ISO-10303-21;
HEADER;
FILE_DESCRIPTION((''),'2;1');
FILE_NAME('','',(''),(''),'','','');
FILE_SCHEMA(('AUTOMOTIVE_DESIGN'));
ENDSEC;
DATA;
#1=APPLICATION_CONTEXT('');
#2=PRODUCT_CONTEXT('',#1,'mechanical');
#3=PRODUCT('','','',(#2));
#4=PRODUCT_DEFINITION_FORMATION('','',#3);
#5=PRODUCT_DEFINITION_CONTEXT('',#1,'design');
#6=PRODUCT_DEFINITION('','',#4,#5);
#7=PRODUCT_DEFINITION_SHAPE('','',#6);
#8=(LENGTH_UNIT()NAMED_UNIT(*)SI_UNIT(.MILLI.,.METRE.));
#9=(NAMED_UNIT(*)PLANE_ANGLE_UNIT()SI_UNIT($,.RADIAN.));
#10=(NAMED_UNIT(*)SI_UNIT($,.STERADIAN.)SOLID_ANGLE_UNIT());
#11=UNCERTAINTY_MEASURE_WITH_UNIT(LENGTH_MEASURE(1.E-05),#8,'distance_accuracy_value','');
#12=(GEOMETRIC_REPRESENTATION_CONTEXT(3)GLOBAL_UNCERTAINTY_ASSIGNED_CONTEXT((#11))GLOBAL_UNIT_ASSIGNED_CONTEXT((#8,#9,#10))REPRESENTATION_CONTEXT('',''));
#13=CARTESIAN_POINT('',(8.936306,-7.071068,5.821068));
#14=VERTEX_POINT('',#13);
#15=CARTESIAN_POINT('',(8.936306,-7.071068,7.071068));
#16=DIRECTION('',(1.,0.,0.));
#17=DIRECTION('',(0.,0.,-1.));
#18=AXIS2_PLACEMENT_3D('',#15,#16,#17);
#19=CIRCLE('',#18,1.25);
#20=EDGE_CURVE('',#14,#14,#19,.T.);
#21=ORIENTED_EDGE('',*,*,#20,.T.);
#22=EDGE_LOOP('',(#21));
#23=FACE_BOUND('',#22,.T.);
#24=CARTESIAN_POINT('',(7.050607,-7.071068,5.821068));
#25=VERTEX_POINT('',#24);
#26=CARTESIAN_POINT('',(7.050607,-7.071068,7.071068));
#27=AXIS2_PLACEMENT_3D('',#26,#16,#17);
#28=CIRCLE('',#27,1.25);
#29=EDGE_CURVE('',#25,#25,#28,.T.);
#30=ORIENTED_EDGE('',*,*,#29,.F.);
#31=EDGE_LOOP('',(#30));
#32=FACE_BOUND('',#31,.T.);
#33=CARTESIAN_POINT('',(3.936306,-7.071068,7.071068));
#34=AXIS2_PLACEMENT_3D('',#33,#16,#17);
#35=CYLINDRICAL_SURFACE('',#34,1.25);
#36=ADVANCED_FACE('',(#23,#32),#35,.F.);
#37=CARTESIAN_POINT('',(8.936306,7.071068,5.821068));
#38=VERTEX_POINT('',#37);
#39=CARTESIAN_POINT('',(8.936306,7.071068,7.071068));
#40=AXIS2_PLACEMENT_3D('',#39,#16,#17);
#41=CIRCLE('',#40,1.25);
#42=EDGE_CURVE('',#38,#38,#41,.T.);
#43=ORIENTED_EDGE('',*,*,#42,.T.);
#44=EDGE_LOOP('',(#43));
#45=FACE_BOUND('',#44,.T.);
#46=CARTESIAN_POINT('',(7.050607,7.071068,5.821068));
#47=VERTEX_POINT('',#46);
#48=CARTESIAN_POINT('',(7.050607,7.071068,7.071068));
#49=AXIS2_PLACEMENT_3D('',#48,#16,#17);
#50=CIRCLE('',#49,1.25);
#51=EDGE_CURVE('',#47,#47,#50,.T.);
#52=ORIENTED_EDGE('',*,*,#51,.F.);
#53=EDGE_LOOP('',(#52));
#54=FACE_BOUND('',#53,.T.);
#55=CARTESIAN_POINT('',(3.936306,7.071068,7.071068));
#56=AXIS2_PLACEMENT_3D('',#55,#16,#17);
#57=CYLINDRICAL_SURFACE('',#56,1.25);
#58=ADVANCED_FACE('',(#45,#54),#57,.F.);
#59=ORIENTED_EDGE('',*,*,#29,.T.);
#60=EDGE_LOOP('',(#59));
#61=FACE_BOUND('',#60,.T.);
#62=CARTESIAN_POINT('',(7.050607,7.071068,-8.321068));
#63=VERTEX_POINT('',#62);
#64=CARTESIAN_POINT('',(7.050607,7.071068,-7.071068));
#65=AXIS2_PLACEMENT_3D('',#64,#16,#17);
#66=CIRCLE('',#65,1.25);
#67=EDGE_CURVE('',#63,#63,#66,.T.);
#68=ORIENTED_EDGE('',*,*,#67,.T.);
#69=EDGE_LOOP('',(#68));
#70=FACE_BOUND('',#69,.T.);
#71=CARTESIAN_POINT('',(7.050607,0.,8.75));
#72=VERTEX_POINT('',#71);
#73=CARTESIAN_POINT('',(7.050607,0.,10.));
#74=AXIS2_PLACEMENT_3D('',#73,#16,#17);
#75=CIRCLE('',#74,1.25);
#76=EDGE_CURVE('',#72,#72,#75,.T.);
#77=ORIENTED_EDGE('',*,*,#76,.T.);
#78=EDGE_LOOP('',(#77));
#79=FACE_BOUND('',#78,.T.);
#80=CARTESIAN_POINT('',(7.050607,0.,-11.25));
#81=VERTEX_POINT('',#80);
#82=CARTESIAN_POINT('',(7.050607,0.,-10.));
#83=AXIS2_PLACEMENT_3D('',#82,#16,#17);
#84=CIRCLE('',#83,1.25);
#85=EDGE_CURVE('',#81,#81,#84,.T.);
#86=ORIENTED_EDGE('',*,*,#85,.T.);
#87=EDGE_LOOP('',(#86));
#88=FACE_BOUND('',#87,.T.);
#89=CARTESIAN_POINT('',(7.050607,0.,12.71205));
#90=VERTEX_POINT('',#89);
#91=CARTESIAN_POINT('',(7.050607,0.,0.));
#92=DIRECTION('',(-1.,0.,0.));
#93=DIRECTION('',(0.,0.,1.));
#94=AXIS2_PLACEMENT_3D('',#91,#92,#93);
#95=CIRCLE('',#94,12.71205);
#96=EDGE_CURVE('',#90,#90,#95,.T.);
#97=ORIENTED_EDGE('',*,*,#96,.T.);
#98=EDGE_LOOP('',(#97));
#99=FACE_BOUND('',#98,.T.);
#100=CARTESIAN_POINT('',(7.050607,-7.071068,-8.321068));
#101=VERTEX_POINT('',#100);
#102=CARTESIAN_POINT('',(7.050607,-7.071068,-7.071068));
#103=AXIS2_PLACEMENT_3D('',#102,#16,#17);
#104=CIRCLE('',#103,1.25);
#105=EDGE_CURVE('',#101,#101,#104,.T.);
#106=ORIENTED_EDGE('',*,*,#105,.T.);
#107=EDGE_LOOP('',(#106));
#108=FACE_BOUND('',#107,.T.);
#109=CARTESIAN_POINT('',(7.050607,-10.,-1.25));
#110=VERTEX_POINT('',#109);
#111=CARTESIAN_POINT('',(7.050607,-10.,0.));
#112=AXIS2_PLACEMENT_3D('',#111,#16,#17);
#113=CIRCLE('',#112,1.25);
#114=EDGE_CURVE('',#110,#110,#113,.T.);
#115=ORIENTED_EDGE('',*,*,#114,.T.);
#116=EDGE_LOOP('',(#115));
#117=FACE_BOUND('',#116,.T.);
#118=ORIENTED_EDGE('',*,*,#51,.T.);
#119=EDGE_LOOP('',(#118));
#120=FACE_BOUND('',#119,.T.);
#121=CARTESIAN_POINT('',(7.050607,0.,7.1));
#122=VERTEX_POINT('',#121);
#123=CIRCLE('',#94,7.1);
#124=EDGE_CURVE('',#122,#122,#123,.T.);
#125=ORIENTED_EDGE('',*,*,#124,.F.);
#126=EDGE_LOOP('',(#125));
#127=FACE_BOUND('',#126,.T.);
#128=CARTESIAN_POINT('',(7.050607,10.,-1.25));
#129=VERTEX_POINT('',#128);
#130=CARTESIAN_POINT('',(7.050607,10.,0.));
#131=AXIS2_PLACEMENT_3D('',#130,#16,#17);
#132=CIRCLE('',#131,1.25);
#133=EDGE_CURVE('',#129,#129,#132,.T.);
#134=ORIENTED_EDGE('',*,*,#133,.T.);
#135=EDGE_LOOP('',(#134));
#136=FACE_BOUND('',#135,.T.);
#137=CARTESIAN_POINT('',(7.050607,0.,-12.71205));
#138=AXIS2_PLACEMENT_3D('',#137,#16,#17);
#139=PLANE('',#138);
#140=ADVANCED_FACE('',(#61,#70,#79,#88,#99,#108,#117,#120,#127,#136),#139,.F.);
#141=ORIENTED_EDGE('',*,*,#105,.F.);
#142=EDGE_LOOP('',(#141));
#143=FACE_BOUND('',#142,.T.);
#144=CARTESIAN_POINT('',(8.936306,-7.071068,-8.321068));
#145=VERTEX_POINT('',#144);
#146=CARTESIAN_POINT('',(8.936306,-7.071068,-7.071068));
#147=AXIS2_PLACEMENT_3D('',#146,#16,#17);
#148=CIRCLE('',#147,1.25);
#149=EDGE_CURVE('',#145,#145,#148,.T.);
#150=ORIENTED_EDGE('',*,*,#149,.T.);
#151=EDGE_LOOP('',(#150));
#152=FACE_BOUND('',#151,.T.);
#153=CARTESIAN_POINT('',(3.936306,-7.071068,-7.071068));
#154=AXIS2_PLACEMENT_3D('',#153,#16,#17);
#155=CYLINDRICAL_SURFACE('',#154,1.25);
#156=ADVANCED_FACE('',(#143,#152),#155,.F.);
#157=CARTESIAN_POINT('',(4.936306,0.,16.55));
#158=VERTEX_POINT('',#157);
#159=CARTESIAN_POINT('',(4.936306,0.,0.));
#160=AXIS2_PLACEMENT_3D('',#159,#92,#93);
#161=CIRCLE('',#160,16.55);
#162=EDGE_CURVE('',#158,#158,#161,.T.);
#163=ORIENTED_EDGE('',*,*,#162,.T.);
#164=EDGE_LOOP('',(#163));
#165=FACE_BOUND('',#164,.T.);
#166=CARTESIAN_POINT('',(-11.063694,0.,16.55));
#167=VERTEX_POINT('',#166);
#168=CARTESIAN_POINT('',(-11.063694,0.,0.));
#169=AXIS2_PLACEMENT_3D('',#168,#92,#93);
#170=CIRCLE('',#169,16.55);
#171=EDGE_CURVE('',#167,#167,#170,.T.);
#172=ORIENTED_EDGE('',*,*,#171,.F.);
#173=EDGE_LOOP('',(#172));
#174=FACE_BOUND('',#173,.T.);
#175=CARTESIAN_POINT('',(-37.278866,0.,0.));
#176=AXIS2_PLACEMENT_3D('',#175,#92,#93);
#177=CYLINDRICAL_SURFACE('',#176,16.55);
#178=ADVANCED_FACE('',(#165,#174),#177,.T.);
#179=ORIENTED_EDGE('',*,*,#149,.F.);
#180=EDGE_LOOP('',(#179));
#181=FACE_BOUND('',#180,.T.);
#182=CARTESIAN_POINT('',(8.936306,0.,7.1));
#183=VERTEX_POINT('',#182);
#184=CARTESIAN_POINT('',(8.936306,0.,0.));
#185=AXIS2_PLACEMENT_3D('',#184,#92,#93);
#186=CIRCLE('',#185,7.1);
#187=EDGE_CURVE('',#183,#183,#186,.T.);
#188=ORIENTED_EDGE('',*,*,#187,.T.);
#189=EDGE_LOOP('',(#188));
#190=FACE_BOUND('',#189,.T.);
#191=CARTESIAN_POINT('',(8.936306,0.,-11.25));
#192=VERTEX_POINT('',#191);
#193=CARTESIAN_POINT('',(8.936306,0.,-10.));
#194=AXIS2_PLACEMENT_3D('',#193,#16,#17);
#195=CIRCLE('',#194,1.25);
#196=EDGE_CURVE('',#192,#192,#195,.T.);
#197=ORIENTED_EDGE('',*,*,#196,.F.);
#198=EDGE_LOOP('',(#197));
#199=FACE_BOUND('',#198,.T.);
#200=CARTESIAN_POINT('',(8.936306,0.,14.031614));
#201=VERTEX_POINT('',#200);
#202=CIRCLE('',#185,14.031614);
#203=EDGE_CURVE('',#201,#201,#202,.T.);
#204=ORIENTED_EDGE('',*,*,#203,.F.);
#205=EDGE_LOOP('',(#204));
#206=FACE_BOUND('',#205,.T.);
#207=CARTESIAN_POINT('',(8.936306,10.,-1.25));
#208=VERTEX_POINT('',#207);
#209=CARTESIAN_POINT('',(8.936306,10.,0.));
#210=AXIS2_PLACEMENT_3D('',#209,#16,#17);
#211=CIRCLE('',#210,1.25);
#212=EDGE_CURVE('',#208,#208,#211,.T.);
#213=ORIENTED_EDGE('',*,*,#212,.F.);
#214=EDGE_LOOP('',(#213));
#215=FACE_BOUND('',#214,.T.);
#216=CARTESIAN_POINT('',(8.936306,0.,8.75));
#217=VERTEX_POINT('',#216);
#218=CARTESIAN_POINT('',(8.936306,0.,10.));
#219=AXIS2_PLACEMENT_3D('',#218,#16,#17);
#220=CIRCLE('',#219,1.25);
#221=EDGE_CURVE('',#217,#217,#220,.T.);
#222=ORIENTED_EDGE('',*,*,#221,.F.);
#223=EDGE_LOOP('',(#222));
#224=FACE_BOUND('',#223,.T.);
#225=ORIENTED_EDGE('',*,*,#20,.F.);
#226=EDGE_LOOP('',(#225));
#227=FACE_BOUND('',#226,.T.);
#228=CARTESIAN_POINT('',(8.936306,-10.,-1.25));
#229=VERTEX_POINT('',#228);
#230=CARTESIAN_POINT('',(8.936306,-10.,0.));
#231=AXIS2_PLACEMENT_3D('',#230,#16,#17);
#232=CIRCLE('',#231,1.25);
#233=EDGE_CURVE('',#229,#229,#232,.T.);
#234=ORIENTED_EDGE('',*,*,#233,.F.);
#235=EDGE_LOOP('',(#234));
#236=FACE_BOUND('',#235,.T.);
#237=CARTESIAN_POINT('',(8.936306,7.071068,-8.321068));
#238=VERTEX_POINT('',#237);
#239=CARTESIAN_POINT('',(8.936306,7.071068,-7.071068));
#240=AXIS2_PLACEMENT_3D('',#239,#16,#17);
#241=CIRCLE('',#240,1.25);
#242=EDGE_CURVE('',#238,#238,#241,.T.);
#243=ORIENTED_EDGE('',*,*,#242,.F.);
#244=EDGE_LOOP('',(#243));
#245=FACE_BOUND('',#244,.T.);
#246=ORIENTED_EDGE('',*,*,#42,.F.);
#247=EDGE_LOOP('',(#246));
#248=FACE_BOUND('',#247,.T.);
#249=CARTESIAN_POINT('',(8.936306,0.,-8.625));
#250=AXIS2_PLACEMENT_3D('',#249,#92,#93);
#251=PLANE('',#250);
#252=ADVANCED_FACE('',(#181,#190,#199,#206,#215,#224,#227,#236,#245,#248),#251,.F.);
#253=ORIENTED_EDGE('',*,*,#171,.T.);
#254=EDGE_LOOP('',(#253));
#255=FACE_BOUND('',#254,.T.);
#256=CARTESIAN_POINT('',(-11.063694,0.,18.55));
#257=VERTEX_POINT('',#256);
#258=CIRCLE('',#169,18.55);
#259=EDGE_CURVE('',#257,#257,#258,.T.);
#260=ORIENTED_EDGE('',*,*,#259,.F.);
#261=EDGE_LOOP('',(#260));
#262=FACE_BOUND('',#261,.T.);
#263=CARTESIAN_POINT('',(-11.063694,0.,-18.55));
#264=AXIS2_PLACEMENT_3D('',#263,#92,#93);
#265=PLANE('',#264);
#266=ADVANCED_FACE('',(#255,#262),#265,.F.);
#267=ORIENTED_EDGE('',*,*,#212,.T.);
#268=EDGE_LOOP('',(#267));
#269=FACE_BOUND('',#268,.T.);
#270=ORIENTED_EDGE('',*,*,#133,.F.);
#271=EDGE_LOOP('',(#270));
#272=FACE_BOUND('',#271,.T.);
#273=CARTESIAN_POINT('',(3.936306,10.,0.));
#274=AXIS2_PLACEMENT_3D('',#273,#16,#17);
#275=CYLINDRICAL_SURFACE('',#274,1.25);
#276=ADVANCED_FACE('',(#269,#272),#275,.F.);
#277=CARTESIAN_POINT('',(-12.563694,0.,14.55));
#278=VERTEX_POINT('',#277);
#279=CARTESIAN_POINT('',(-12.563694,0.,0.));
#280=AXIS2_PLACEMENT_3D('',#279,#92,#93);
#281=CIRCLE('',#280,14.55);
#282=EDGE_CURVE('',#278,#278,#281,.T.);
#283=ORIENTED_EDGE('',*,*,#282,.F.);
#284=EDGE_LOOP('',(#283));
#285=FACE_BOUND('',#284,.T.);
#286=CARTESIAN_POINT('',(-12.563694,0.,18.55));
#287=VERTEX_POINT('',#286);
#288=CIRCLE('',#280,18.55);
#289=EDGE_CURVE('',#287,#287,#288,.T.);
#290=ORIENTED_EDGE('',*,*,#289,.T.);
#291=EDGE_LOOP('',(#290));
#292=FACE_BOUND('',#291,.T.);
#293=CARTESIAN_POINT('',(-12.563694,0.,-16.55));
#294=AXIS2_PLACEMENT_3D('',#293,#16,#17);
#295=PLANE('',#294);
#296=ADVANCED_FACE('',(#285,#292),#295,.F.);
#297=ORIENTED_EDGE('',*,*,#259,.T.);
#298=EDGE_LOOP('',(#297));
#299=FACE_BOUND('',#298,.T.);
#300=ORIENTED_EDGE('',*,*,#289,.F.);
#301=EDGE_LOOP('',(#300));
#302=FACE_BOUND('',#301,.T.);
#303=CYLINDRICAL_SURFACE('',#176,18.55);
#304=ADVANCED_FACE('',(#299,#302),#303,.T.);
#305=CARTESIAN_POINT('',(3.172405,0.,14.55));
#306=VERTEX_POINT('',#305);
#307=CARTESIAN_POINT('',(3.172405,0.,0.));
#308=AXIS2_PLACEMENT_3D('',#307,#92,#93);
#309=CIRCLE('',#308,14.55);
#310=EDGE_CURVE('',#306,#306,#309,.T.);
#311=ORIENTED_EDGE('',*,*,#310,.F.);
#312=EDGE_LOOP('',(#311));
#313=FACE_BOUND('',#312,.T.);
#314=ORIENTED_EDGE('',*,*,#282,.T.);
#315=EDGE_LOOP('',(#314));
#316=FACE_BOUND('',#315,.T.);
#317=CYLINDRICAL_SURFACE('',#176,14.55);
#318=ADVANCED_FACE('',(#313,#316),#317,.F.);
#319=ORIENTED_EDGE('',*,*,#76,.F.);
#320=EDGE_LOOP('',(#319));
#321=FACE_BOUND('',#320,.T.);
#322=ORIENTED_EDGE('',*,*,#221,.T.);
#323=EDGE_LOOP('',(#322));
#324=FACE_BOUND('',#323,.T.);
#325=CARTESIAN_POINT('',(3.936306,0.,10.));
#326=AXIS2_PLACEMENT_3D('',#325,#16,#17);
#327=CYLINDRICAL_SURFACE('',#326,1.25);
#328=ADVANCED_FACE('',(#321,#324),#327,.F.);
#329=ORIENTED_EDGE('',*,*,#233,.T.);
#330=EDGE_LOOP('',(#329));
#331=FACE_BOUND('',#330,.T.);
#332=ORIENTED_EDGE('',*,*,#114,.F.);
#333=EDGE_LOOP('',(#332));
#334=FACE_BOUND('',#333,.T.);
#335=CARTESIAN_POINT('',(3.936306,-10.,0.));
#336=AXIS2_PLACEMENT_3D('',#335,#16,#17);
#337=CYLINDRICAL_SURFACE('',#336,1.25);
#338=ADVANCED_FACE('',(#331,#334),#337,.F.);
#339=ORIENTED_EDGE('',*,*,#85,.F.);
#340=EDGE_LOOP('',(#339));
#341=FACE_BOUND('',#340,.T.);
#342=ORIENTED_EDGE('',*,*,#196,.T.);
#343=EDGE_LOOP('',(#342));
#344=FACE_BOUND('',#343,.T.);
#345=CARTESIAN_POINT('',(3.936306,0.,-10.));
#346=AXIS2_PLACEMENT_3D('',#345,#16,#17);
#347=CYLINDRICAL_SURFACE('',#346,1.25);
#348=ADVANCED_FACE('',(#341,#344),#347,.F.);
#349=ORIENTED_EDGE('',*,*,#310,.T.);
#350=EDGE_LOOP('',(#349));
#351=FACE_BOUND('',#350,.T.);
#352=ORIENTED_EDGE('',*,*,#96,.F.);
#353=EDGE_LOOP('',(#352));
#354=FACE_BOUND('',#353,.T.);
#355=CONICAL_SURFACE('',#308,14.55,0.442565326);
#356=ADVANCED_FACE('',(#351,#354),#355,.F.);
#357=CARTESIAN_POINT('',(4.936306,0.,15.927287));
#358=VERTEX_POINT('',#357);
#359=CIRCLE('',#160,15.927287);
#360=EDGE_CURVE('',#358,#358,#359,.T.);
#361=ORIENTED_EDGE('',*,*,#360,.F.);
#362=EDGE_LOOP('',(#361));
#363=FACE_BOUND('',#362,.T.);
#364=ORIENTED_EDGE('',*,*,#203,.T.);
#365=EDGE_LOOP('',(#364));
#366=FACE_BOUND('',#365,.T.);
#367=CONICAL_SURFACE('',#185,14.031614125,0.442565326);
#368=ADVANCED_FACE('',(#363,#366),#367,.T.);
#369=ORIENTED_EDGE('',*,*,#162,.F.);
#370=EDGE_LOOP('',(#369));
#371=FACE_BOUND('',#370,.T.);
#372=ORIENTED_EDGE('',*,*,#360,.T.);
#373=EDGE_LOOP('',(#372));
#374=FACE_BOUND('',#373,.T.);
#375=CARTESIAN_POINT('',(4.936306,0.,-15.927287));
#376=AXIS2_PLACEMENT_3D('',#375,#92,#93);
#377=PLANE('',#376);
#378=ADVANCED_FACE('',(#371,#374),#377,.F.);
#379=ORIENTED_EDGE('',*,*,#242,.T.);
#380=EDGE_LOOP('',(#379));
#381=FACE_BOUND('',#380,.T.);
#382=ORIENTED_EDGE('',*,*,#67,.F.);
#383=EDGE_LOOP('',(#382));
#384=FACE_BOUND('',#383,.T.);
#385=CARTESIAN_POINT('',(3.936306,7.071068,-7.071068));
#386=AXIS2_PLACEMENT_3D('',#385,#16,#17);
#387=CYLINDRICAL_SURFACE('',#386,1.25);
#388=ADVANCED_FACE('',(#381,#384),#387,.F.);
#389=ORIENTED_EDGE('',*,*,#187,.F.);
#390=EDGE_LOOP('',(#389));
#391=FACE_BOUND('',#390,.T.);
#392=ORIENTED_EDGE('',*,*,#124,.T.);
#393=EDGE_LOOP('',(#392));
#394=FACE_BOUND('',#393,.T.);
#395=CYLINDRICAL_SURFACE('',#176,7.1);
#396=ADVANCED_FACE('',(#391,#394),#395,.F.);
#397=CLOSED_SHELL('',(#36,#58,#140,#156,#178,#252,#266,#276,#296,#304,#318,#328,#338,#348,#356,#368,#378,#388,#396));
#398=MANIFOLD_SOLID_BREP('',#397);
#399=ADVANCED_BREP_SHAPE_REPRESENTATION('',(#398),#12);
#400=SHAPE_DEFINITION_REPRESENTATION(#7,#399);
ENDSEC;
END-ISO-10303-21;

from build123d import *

# Parameters (mm, degrees)
SKETCH2_R          = 1.25
CUT_EXTRUDE1_DEPTH = 5


with BuildPart() as part:
    # Sketch1 → Revolve1 (revolve)
    with BuildSketch(Plane(origin=(0, 0, 0), x_dir=(1, 0, 0), z_dir=(0, 1, 0))):
        Polygon((8.936305636, 8.625), (8.936305636, 14.031614125), (4.936305636, 15.92728698), (4.936305636, 16.55), (-11.063694364, 16.55), (-11.063694364, 18.55), (-12.563694364, 18.55), (-12.563694364, 16.55), (-12.563694364, 14.55), (3.172405145, 14.55), (7.050606918, 12.712049543), (7.050606918, 7.1), (8.936305636, 7.1), align=None)
    revolve(axis=Axis((-37.278866169, 0, 0), (1, 0, 0)))

    # Sketch2 → Cut-Extrude1 (cut)
    with BuildSketch(Plane(origin=(8.936305636, 0, 0), x_dir=(0, 0, -1), z_dir=(1, 0, 0))):
        with Locations((0, 10)):
            Circle(SKETCH2_R)
        with Locations((7.071067812, 7.071067812)):
            Circle(SKETCH2_R)
        with Locations((10, 0)):
            Circle(SKETCH2_R)
        with Locations((7.071067812, -7.071067812)):
            Circle(SKETCH2_R)
        with Locations((0, -10)):
            Circle(SKETCH2_R)
        with Locations((-7.071067812, -7.071067812)):
            Circle(SKETCH2_R)
        with Locations((-10, 0)):
            Circle(SKETCH2_R)
        with Locations((-7.071067812, 7.071067812)):
            Circle(SKETCH2_R)
    extrude(amount=-CUT_EXTRUDE1_DEPTH, mode=Mode.SUBTRACT)


solid = part.part
